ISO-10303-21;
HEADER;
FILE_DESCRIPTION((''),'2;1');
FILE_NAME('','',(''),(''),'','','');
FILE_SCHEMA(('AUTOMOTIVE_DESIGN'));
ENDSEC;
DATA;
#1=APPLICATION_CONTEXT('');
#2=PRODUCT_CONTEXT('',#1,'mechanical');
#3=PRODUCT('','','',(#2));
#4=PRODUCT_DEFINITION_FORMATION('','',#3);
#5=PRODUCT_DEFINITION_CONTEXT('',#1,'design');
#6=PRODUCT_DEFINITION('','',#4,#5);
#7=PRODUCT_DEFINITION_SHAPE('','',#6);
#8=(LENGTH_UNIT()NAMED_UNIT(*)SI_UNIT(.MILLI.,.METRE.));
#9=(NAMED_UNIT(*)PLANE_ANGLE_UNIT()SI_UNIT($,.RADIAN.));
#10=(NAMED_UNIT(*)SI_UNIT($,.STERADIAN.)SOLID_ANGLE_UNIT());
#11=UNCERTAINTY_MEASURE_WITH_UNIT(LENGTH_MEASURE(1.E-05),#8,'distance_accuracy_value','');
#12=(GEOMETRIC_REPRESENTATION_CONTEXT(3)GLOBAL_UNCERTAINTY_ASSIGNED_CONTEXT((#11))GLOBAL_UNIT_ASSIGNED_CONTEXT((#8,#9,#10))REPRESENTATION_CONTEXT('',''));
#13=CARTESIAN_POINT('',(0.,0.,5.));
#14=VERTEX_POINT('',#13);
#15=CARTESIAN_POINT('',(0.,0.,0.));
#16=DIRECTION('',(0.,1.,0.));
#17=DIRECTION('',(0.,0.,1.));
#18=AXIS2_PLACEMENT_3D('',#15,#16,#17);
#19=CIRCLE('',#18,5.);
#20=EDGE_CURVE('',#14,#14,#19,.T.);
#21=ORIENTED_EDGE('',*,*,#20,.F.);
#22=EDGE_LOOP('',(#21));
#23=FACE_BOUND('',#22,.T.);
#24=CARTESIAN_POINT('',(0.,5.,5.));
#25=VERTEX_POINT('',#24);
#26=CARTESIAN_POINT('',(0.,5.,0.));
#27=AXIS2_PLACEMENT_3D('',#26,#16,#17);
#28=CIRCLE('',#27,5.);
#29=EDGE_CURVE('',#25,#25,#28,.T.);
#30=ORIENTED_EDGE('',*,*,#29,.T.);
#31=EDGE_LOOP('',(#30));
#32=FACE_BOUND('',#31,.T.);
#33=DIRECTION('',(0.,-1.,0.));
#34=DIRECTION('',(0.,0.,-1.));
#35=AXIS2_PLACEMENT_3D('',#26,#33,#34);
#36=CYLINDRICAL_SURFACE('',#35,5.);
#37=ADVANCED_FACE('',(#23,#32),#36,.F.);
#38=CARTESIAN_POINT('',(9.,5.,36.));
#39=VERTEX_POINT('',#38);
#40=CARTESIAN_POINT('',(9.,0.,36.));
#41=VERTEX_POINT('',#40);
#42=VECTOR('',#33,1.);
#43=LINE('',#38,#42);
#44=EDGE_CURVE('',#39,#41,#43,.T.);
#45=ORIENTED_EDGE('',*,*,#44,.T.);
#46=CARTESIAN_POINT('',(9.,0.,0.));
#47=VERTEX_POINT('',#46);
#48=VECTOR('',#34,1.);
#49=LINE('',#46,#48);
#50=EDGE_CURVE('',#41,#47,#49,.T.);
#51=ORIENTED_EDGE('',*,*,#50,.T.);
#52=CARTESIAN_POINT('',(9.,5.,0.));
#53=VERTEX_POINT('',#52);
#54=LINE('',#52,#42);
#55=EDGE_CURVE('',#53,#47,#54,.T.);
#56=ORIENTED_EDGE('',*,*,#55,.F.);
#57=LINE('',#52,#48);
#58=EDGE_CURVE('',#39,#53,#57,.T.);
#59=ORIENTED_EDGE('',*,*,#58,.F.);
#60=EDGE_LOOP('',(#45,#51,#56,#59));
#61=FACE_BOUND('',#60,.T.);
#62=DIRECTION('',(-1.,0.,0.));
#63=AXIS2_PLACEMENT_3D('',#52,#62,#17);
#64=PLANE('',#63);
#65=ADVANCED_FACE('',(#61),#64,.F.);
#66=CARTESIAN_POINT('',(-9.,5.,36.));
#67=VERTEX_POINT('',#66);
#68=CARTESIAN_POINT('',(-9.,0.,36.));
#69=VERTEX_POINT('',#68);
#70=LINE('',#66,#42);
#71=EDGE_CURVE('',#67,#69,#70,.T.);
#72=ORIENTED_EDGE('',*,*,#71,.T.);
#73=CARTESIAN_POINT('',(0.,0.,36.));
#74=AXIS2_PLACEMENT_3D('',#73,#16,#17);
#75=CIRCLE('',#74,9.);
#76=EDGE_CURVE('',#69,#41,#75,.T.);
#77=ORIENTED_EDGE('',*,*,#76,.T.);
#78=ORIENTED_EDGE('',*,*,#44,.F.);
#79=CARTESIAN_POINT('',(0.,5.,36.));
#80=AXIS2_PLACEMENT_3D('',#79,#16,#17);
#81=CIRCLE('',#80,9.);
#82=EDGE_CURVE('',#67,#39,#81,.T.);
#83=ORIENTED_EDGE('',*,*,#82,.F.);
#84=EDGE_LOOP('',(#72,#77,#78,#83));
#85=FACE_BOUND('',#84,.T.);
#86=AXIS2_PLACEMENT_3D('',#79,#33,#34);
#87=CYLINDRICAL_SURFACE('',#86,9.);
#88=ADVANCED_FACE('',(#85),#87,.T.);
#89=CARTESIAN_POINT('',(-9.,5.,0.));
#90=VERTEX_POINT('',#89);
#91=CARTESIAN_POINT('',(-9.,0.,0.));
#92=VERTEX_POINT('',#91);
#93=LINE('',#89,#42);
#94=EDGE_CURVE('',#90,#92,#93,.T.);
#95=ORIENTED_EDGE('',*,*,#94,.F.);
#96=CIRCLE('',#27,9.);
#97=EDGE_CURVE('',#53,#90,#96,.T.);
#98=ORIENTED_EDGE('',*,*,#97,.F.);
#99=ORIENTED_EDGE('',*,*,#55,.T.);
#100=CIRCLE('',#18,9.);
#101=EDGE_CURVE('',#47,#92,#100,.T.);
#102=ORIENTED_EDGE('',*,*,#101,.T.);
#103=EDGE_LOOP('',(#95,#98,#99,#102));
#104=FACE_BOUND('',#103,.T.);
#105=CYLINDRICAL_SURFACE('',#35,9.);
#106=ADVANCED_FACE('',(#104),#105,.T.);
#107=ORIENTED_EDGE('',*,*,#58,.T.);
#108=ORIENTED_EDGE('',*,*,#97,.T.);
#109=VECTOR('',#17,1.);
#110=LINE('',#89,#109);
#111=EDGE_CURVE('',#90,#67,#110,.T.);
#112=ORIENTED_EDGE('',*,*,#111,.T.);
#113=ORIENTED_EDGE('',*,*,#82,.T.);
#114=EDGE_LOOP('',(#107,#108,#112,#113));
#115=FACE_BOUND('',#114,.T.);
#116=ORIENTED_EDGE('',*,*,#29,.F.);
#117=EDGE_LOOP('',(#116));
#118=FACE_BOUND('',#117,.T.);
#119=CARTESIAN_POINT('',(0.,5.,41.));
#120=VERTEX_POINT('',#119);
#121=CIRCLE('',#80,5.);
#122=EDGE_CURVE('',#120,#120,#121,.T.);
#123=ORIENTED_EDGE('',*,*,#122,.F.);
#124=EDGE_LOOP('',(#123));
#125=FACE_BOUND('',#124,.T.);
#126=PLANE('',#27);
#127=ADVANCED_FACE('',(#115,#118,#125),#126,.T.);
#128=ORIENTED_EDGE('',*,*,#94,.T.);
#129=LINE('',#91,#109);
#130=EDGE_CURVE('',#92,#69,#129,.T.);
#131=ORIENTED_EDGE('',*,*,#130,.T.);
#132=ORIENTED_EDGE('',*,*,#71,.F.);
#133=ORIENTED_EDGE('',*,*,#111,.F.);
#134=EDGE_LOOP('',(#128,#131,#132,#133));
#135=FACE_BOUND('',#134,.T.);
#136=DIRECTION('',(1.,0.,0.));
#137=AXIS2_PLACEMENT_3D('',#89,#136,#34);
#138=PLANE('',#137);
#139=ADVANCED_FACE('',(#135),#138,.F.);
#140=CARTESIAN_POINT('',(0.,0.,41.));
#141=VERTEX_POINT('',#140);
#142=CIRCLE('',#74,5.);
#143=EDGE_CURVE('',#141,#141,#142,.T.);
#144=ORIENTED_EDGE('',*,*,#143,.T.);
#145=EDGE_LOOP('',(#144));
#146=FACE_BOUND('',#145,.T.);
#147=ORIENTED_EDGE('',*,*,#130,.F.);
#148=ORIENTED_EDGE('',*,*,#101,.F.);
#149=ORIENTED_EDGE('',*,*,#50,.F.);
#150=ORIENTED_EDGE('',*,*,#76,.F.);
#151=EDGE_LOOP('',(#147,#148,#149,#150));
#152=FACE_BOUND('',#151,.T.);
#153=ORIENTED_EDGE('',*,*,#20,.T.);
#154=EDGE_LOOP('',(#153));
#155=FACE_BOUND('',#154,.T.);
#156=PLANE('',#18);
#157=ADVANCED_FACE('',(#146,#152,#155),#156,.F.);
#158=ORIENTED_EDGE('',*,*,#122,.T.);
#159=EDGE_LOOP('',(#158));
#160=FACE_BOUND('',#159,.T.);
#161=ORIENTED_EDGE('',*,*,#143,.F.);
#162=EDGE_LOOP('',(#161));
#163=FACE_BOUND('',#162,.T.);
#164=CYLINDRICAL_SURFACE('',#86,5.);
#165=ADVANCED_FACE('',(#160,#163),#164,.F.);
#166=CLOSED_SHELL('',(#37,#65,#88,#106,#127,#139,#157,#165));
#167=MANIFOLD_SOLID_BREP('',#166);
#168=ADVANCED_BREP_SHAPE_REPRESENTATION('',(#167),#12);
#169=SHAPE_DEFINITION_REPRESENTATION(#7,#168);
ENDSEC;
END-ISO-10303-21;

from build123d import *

# Parameters (mm, degrees)
SKETCH1_R           = 5
BOSS_EXTRUDE1_DEPTH = 5


with BuildPart() as part:
    # Sketch1 → Boss-Extrude1 (new body)
    with BuildSketch(Plane(origin=(0, 0, 0), x_dir=(1, 0, 0), z_dir=(0, 1, 0))):
        with BuildLine():
            Line((9, 0), (9, -36))
            ThreePointArc((9, -36), (0, -45), (-9, -36))
            Line((-9, -36), (-9, 0))
            ThreePointArc((-9, 0), (0, 9), (9, 0))
        make_face()
        Circle(SKETCH1_R, mode=Mode.SUBTRACT)
        with Locations((0, -36)):
            Circle(SKETCH1_R, mode=Mode.SUBTRACT)
    extrude(amount=BOSS_EXTRUDE1_DEPTH)


solid = part.part
